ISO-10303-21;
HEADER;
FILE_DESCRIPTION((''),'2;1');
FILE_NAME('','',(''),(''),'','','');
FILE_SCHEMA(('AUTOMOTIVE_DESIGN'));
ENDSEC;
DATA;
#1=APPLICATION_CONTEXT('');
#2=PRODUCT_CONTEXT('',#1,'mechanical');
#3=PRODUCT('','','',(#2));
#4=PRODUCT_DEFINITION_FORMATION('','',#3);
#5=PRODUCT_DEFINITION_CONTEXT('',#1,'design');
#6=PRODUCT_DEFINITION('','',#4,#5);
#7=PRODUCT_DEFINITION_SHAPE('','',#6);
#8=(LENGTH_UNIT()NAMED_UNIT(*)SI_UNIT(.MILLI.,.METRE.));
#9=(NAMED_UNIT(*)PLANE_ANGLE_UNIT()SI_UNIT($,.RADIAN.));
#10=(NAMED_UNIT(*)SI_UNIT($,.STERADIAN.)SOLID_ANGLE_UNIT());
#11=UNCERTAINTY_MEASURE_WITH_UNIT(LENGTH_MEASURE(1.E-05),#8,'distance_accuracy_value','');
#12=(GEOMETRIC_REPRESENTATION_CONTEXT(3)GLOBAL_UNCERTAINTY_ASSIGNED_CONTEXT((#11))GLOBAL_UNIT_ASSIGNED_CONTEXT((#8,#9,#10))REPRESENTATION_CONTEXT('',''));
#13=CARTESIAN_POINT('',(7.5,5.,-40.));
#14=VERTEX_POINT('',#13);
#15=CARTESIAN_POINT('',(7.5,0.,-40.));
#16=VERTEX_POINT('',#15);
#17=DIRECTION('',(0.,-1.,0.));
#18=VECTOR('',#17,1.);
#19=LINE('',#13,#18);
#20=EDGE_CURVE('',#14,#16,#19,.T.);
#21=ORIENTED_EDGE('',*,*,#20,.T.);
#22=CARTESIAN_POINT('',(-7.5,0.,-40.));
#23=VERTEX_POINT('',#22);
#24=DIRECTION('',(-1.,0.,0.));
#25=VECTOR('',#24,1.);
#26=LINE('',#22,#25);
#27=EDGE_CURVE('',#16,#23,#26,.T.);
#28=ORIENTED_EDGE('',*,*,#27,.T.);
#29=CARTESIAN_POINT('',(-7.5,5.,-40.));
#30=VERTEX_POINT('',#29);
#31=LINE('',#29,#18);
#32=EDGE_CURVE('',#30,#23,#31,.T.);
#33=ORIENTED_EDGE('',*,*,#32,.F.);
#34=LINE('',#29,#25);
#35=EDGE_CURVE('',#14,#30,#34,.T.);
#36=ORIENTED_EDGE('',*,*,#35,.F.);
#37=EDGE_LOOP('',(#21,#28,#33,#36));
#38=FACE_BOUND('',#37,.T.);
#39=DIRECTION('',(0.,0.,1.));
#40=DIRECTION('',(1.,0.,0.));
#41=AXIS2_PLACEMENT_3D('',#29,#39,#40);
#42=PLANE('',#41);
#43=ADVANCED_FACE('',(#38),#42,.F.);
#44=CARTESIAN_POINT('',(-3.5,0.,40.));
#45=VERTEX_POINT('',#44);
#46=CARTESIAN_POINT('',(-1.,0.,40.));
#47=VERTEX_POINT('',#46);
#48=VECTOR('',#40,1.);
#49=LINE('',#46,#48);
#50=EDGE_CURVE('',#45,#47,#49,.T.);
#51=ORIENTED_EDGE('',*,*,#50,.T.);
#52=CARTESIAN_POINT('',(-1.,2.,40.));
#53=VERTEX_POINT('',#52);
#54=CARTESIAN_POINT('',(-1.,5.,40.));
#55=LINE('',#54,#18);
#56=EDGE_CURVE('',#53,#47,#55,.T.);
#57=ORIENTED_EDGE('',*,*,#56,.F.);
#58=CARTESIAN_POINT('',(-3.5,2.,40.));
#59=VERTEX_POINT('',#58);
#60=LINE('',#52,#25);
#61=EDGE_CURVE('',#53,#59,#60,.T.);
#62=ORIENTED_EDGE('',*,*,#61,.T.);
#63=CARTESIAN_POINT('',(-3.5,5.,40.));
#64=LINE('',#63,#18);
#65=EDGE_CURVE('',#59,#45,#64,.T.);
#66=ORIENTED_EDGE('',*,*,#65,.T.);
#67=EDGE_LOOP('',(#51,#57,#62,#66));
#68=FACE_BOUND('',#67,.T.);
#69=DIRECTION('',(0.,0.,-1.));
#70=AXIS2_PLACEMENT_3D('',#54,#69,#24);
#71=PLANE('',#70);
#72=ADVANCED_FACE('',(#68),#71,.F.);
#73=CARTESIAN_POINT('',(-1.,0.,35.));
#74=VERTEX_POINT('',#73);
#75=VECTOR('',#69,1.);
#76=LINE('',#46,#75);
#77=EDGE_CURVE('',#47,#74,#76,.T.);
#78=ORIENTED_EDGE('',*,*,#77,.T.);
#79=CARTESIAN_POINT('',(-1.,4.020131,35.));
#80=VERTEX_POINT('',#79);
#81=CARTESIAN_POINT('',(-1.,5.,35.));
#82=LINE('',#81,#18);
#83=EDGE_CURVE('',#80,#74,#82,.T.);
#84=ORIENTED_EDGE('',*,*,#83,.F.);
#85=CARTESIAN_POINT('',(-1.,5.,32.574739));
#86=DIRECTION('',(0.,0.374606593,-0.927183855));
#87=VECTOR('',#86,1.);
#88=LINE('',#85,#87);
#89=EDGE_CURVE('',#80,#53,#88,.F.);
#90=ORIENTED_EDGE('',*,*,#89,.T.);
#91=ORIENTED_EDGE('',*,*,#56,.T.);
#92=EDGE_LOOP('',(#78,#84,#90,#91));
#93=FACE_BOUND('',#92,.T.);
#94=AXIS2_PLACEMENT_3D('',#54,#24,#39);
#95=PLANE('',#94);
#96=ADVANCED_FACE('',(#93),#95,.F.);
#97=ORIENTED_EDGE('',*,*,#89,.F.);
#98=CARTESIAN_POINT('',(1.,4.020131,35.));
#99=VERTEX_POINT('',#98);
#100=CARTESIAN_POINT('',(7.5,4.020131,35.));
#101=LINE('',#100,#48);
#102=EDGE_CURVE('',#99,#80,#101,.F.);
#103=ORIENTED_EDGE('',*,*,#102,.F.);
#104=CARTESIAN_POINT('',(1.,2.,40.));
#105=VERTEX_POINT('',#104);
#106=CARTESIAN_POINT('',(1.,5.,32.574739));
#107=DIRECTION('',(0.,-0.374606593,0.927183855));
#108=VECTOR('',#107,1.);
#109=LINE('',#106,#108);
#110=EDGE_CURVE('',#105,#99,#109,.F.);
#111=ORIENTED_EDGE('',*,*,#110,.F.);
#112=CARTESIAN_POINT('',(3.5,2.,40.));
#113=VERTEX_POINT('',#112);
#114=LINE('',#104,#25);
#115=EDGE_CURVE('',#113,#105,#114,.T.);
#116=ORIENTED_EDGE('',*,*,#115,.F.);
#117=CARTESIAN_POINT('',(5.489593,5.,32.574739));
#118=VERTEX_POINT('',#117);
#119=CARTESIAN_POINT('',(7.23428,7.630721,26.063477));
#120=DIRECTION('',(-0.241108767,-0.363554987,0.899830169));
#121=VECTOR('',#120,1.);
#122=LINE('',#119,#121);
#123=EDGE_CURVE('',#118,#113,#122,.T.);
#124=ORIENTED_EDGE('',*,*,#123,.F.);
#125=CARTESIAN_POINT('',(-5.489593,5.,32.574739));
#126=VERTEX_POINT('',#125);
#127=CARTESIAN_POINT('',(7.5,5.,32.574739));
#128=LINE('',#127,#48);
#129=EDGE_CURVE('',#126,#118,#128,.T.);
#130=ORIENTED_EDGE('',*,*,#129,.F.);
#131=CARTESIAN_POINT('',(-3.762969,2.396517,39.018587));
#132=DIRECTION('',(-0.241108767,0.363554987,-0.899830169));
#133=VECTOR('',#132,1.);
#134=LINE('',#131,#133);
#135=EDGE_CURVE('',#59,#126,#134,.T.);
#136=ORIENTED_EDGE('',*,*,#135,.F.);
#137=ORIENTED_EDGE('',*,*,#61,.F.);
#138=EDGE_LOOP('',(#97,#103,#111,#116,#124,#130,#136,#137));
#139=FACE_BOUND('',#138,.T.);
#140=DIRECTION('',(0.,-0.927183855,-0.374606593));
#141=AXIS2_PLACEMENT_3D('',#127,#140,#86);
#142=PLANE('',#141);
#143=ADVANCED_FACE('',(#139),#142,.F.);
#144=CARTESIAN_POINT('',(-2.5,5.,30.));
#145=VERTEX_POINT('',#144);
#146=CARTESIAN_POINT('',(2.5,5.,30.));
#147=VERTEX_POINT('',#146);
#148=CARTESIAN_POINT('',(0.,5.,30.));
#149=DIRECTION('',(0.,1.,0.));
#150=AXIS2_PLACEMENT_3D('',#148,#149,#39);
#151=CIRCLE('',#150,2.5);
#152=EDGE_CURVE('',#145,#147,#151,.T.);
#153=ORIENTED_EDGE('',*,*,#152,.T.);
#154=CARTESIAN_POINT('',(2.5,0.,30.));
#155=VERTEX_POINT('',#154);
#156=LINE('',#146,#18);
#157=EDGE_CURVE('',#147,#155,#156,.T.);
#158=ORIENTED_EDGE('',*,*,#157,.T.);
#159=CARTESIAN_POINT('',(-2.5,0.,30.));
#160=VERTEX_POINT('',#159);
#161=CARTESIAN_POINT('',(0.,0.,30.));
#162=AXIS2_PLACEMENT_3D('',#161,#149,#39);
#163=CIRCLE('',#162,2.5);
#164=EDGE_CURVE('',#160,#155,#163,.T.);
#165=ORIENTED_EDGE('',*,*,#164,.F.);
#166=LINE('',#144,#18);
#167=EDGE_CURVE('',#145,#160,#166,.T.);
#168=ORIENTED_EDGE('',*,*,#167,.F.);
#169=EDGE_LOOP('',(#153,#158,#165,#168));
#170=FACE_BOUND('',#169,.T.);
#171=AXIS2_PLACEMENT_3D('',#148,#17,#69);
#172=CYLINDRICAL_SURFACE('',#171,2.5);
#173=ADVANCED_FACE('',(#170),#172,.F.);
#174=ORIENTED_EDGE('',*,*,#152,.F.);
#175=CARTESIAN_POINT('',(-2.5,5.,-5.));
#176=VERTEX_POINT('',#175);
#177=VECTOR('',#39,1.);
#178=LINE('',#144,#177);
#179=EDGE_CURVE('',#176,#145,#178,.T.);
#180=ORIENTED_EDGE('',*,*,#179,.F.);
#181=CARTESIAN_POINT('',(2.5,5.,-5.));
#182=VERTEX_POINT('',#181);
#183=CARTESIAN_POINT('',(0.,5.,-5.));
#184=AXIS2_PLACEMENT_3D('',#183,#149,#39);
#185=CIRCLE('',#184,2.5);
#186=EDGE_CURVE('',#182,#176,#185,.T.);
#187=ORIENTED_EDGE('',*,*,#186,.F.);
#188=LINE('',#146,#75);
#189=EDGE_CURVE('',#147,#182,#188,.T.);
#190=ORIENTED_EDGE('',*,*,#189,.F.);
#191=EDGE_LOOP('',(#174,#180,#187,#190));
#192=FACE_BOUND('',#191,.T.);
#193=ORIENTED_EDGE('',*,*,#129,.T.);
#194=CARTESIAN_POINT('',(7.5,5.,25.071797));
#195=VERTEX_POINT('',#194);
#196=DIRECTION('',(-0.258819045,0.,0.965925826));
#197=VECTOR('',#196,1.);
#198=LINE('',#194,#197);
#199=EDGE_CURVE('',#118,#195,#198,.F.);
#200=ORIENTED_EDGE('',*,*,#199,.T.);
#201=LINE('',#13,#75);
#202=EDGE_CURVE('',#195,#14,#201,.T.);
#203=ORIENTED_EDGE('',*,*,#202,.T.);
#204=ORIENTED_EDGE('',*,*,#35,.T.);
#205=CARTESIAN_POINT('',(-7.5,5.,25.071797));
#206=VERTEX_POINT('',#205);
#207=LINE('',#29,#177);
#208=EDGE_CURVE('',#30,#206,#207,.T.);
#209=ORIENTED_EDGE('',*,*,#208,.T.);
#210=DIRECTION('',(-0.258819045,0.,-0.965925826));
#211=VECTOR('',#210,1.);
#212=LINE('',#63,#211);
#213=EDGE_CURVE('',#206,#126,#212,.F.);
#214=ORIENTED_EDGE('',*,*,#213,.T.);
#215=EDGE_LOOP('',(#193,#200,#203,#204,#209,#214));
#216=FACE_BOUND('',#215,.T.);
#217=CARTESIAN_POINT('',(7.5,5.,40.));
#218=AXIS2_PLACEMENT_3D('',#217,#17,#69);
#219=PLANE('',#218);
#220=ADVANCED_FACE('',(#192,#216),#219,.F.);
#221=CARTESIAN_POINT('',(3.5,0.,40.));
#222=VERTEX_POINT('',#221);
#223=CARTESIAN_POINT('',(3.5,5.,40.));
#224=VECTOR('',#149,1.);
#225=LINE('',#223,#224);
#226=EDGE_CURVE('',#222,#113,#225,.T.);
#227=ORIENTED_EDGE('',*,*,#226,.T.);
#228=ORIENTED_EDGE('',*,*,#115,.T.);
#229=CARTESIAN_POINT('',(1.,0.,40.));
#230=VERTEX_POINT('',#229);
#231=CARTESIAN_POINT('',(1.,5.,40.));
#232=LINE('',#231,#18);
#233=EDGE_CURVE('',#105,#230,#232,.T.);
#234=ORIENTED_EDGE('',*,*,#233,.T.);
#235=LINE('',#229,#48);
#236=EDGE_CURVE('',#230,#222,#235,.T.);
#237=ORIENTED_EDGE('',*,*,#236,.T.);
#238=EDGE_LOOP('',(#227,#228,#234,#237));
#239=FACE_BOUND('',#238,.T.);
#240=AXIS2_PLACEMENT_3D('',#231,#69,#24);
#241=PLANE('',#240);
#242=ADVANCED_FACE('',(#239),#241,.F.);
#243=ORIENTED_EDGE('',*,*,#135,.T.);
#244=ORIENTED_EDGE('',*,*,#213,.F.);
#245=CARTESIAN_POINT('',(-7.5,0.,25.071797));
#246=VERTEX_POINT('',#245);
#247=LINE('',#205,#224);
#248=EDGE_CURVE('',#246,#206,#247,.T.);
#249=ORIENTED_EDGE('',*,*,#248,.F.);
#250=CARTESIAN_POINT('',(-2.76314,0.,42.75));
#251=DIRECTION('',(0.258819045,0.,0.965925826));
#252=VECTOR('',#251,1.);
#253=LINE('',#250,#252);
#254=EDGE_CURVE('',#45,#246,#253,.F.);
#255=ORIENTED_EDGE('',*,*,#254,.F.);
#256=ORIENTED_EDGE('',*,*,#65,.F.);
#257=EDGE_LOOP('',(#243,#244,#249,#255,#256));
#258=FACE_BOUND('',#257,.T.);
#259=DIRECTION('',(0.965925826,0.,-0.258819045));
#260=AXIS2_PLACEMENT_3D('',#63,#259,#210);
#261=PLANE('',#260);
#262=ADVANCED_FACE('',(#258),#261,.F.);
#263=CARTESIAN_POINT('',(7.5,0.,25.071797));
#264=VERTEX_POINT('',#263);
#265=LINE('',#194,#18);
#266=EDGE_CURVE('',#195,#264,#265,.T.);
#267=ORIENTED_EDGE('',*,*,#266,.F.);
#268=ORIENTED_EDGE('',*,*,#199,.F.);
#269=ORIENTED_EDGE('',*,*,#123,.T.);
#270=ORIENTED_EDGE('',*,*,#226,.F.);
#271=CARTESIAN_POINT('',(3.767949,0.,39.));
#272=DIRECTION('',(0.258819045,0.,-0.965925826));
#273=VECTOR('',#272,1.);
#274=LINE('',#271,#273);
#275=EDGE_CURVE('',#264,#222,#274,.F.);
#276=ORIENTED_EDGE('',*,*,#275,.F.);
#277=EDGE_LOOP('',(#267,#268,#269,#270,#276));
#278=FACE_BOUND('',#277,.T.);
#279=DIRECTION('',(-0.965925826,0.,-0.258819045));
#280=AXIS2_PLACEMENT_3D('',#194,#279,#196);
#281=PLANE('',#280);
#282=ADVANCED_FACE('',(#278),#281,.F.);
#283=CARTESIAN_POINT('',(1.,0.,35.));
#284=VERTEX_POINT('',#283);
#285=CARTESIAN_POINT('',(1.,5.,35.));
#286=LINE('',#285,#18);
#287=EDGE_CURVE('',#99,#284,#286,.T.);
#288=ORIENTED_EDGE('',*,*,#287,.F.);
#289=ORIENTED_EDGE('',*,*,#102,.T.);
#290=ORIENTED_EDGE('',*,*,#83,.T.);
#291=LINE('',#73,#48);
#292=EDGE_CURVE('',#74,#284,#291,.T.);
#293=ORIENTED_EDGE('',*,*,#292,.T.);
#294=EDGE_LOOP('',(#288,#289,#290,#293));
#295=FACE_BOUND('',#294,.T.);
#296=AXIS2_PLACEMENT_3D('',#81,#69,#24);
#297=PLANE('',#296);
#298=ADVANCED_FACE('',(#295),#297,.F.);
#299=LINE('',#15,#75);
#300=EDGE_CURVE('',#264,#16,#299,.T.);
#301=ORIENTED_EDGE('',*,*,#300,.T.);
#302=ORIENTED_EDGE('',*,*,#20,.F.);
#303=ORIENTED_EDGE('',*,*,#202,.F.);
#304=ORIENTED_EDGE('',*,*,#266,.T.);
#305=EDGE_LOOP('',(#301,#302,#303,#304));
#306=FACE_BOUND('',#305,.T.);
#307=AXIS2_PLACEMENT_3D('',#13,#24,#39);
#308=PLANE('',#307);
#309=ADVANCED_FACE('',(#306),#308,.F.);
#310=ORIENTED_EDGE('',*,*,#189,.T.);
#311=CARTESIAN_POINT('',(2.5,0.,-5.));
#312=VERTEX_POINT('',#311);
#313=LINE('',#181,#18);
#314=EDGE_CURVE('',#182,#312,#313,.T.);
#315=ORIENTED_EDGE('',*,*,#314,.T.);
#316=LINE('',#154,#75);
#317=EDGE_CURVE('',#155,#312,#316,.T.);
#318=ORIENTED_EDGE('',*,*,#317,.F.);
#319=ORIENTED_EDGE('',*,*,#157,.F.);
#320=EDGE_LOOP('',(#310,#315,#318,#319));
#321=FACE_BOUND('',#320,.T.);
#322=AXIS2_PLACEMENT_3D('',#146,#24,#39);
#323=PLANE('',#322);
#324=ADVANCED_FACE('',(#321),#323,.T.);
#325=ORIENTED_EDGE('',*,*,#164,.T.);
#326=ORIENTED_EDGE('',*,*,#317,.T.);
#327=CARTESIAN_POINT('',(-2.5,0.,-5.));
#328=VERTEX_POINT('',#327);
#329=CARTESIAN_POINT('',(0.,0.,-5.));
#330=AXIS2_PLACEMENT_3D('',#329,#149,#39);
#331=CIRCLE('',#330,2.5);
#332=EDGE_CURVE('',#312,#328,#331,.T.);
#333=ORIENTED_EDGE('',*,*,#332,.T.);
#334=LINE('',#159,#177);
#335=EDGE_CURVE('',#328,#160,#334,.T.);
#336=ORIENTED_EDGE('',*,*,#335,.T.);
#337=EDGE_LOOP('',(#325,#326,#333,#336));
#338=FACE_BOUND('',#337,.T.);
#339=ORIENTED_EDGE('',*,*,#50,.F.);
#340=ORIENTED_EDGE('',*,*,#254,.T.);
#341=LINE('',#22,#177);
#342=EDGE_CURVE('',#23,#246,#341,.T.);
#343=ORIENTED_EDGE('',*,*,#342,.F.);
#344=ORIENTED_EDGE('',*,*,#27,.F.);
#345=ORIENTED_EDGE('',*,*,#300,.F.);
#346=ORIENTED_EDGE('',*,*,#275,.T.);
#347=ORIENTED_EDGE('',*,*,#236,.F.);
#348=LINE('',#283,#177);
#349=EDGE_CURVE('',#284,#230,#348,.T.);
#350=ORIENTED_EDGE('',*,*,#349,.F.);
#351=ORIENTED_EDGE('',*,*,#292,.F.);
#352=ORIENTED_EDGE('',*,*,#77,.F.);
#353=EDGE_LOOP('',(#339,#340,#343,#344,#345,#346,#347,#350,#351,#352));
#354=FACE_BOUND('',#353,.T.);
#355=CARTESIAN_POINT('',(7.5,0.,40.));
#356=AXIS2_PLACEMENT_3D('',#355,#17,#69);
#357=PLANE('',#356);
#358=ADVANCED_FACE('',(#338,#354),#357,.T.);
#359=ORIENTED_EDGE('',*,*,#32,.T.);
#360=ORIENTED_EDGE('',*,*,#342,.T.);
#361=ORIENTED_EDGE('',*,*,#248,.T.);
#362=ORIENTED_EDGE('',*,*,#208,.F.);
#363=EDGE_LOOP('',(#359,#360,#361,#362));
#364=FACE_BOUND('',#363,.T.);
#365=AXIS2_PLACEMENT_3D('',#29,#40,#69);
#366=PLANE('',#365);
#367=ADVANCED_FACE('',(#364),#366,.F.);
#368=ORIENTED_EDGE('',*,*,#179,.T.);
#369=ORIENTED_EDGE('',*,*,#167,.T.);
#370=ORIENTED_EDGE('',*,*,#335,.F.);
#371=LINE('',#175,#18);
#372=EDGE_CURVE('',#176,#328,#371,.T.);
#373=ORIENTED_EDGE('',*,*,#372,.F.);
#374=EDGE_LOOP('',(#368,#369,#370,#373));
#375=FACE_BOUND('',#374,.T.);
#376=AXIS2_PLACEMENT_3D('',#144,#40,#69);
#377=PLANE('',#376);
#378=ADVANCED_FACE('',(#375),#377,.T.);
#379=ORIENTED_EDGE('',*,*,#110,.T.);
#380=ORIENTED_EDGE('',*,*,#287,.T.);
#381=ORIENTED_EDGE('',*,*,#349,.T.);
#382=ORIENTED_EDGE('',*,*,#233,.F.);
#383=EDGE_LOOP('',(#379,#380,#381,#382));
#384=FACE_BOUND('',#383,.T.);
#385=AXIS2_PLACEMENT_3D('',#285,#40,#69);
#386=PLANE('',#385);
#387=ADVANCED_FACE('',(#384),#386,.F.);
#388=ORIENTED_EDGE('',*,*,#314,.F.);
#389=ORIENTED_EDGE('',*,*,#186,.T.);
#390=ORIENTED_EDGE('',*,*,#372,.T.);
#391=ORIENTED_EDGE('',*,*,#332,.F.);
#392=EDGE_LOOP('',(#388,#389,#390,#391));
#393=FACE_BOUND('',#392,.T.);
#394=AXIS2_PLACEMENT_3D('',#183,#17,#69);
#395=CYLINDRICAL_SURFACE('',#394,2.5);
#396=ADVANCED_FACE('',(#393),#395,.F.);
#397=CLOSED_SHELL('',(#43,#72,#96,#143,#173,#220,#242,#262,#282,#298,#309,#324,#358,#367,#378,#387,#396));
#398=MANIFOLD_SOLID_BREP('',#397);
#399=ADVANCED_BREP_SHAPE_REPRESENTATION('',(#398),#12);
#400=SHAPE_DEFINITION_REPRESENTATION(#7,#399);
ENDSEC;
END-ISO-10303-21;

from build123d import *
from OCP.BRepFilletAPI import BRepFilletAPI_MakeChamfer

# Parameters (mm, degrees)
BOSS_EXTRUDE1_DEPTH = 5
CHAMFER1_SIZE       = 4
CHAMFER1_SIZE2      = 14.92820323
CHAMFER2_SIZE       = 3
CHAMFER2_SIZE2      = 7.42526056


with BuildPart() as part:
    # Sketch1 → Boss-Extrude1 (new body)
    with BuildSketch(Plane(origin=(0, 0, 0), x_dir=(1, 0, 0), z_dir=(0, 1, 0))):
        Polygon((-7.5, 40), (7.5, 40), (7.5, -40), (1, -40), (1, -35), (-1, -35), (-1, -40), (-7.5, -40), align=None)
        with BuildLine():
            Line((-2.5, -30), (-2.5, 5))
            ThreePointArc((-2.5, 5), (0, 7.5), (2.5, 5))
            Line((2.5, 5), (2.5, -30))
            ThreePointArc((2.5, -30), (0, -32.5), (-2.5, -30))
        make_face(mode=Mode.SUBTRACT)
    extrude(amount=BOSS_EXTRUDE1_DEPTH)

    # Chamfer1: one chamfer whose edges measure the first distance from different faces: ONE call of the kernel's chamfer builder (chamfer() names one face for all edges)
    chamfer1_edges_1 = [part.edges().sort_by_distance(p)[0] for p in [
        (-7.5, 2.5, 40),
    ]]
    chamfer1_side_1 = [part.faces().sort_by_distance(p)[0] for p in [
        (-4.25, 2.5, 40),
    ]]
    chamfer1_edges_2 = [part.edges().sort_by_distance(p)[0] for p in [
        (7.5, 2.5, 40),
    ]]
    chamfer1_side_2 = [part.faces().sort_by_distance(p)[0] for p in [
        (4.25, 2.5, 40),
    ]]
    chamfer1 = BRepFilletAPI_MakeChamfer(part.part.solid().wrapped)
    for e in chamfer1_edges_1:
        chamfer1.Add(CHAMFER1_SIZE, CHAMFER1_SIZE2, e.wrapped, chamfer1_side_1[0].wrapped)  # the first distance lies on this face
    for e in chamfer1_edges_2:
        chamfer1.Add(CHAMFER1_SIZE, CHAMFER1_SIZE2, e.wrapped, chamfer1_side_2[0].wrapped)  # the first distance lies on this face
    add(Compound.cast(chamfer1.Shape()), mode=Mode.REPLACE)

    # Chamfer2
    chamfer2_edges = [part.edges().sort_by_distance(p)[0] for p in [
        (2.25, 5, 40),
    ]]
    chamfer2_side = [part.faces().sort_by_distance(p)[0] for p in [
        (2.25, 2.5, 40),
    ]]
    chamfer(chamfer2_edges, length=CHAMFER2_SIZE, length2=CHAMFER2_SIZE2, reference=chamfer2_side[0])


solid = part.part
